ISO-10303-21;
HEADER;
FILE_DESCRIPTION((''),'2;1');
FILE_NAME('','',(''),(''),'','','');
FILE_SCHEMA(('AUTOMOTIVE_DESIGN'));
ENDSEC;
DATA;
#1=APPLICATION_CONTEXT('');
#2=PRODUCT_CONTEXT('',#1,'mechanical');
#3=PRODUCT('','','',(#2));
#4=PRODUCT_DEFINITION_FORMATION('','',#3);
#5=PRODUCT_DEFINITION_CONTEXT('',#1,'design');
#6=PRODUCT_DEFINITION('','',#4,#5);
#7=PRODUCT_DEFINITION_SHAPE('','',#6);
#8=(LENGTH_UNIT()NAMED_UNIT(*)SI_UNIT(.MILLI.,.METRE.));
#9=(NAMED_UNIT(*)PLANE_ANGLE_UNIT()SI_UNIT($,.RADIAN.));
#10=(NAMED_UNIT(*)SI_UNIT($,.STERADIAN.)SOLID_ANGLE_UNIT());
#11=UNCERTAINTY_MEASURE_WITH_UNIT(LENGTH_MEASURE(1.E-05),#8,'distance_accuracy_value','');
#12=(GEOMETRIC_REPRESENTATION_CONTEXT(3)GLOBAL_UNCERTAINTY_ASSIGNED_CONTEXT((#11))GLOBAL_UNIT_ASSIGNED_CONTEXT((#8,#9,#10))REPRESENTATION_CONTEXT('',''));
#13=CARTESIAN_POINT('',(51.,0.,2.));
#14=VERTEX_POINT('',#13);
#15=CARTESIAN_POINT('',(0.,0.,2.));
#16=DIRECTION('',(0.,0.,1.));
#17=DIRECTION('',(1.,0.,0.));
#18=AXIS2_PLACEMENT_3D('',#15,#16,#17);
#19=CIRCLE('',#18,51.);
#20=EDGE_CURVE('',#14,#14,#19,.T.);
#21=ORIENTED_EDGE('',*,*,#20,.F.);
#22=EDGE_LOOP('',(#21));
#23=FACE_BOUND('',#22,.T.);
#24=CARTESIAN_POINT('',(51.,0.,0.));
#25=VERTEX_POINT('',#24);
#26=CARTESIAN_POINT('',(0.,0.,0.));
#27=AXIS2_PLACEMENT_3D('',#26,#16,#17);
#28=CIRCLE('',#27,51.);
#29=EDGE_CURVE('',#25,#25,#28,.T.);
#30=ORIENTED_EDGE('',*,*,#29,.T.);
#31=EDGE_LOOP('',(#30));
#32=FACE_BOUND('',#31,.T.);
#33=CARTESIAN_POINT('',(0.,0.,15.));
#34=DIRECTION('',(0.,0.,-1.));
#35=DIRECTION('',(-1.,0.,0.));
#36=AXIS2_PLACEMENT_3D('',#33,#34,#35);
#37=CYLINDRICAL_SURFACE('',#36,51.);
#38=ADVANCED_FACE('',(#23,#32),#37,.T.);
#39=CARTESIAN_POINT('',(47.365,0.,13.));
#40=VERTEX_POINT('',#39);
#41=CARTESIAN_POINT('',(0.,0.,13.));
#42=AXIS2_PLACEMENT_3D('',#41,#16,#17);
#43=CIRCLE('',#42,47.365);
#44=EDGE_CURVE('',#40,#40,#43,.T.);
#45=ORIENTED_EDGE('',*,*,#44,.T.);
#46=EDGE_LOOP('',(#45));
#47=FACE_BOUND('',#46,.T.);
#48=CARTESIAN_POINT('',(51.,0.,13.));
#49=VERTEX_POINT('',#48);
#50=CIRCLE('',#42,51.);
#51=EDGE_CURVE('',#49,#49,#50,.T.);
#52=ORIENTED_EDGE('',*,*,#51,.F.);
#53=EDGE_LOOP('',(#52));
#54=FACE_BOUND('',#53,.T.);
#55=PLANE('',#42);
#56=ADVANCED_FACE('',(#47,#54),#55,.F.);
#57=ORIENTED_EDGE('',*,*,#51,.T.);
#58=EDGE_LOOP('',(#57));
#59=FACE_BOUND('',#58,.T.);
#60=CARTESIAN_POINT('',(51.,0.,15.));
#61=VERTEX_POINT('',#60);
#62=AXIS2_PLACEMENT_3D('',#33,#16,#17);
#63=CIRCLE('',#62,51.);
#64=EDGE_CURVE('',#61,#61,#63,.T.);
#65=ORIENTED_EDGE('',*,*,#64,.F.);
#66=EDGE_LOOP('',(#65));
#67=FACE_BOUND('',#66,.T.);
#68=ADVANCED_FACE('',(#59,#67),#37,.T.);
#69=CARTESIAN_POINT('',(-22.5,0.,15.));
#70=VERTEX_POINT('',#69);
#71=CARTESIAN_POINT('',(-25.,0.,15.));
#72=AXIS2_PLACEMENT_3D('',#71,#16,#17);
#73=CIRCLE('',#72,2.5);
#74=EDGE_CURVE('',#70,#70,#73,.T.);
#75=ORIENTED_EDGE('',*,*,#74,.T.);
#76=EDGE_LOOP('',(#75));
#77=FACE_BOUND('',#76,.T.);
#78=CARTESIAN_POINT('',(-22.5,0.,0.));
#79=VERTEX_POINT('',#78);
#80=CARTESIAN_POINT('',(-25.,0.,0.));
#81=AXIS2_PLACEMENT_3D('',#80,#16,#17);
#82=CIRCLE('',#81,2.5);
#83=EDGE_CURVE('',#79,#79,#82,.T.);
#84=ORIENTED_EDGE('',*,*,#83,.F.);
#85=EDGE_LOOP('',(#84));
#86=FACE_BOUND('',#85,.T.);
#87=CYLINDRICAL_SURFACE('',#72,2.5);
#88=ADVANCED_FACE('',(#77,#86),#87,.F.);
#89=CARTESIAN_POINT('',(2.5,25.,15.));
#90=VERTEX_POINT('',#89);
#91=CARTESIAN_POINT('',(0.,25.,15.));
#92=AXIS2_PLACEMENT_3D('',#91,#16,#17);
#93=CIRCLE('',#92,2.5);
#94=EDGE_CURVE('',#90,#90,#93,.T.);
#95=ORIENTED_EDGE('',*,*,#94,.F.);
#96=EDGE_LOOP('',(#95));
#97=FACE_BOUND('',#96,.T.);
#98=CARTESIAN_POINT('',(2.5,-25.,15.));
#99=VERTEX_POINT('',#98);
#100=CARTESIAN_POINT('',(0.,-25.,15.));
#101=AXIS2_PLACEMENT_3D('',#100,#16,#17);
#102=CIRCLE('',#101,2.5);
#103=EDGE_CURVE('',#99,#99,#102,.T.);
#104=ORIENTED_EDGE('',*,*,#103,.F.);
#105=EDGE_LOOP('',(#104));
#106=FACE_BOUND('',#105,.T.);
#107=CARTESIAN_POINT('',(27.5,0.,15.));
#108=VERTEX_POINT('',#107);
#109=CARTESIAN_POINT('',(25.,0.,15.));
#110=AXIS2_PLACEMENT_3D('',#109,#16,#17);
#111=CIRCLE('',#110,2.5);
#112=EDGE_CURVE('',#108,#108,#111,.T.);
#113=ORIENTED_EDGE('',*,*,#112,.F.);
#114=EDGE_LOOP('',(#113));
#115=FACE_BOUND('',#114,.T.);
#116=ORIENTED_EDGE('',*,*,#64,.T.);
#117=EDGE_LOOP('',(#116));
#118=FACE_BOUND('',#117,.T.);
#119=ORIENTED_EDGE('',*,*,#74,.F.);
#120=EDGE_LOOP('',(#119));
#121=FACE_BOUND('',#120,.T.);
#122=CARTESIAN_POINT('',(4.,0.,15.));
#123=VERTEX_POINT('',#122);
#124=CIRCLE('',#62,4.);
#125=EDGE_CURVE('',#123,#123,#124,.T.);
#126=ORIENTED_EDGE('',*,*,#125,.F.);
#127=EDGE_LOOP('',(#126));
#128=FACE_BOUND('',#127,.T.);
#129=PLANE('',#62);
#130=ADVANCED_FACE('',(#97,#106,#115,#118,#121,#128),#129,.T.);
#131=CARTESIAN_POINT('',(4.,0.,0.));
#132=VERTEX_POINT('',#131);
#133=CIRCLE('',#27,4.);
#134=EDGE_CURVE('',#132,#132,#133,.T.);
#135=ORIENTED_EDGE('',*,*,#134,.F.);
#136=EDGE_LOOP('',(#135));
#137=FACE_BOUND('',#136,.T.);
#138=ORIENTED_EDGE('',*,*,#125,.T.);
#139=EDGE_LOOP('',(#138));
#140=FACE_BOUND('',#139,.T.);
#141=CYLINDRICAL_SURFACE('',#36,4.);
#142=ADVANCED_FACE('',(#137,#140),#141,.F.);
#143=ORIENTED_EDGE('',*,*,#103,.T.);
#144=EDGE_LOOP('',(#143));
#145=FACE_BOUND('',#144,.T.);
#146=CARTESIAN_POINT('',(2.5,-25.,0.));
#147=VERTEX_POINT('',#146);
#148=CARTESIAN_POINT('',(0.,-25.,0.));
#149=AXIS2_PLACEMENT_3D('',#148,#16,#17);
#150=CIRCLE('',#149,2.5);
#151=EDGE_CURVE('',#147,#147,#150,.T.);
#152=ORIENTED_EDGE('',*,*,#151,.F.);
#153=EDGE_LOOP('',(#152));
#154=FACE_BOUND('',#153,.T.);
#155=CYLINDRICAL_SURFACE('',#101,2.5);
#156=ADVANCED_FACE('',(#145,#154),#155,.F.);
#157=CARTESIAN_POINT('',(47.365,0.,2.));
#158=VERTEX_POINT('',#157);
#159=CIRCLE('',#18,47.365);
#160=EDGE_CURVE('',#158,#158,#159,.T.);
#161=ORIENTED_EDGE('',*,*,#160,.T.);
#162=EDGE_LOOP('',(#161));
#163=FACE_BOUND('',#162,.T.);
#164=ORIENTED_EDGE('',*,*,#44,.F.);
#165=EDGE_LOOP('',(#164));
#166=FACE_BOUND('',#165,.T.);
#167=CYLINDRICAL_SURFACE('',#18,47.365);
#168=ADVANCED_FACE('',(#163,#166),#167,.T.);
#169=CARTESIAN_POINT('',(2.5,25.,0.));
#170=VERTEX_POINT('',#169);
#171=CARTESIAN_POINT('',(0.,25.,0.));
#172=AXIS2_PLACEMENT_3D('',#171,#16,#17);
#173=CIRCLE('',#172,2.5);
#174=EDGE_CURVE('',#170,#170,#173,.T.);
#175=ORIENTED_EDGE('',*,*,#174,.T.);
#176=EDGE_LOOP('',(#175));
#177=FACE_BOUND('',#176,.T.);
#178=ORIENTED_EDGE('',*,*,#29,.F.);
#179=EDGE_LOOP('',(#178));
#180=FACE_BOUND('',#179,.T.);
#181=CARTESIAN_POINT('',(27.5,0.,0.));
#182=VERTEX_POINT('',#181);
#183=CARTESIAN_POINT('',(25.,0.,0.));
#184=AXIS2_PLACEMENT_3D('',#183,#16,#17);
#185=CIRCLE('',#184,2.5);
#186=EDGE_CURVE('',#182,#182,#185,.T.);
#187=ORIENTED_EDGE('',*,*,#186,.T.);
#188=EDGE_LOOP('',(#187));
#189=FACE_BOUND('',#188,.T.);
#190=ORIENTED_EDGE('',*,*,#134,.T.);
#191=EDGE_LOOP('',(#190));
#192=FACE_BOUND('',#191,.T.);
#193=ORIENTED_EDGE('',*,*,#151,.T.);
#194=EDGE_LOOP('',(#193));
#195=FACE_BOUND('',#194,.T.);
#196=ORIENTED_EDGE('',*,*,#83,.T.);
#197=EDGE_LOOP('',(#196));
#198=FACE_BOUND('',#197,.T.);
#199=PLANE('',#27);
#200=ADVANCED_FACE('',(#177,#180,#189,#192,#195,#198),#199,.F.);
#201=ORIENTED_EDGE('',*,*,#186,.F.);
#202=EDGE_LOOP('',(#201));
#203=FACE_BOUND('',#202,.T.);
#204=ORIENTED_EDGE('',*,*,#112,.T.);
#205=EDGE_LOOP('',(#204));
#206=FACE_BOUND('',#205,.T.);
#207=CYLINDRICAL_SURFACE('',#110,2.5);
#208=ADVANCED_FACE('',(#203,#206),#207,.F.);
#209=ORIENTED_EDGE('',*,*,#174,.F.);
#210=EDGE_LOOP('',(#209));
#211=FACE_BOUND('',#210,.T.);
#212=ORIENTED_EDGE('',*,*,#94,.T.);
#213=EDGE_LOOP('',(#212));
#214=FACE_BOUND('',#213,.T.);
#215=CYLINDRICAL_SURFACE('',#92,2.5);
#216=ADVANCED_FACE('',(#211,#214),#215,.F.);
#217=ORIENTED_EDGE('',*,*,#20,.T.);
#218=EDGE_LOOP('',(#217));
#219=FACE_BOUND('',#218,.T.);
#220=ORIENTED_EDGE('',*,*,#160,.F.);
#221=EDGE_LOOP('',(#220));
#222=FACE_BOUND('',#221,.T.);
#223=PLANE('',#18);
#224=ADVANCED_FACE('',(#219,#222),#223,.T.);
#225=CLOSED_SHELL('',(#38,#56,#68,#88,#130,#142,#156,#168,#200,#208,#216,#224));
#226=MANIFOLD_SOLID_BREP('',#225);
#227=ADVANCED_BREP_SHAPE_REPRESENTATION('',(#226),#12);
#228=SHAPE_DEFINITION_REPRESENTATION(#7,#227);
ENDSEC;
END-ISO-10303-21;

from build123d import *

# Parameters (mm, degrees)
SKETCH_1_R            = 51
SKETCH_1_R_2          = 4
EXTRUDE_1_DEPTH       = 15
HOLE_WIZARD_5_0_5_1_D = 5
CUT_EXTRUDE_START     = -13
SKETCH_4_R            = 51
SKETCH_4_R_2          = 47.365
CUT_EXTRUDE_2_DEPTH   = 11


with BuildPart() as part:
    # 草图1 → 凸台-拉伸1 (new body)
    with BuildSketch(Plane.XY):
        Circle(SKETCH_1_R)
        Circle(SKETCH_1_R_2, mode=Mode.SUBTRACT)
    extrude(amount=EXTRUDE_1_DEPTH)

    # Ø5.0 (5) 直径孔1 (through all)
    with Locations(Plane.XY.offset(15)):
        with Locations((25, 0), (0, 25), (-25, 0), (0, -25)):
            Hole(HOLE_WIZARD_5_0_5_1_D / 2)

    # 草图4 → 切除-拉伸2 (cut)
    with BuildSketch(Plane.XY.offset(15).offset(CUT_EXTRUDE_START)):
        Circle(SKETCH_4_R)
        Circle(SKETCH_4_R_2, mode=Mode.SUBTRACT)
    extrude(amount=CUT_EXTRUDE_2_DEPTH, mode=Mode.SUBTRACT)


solid = part.part
